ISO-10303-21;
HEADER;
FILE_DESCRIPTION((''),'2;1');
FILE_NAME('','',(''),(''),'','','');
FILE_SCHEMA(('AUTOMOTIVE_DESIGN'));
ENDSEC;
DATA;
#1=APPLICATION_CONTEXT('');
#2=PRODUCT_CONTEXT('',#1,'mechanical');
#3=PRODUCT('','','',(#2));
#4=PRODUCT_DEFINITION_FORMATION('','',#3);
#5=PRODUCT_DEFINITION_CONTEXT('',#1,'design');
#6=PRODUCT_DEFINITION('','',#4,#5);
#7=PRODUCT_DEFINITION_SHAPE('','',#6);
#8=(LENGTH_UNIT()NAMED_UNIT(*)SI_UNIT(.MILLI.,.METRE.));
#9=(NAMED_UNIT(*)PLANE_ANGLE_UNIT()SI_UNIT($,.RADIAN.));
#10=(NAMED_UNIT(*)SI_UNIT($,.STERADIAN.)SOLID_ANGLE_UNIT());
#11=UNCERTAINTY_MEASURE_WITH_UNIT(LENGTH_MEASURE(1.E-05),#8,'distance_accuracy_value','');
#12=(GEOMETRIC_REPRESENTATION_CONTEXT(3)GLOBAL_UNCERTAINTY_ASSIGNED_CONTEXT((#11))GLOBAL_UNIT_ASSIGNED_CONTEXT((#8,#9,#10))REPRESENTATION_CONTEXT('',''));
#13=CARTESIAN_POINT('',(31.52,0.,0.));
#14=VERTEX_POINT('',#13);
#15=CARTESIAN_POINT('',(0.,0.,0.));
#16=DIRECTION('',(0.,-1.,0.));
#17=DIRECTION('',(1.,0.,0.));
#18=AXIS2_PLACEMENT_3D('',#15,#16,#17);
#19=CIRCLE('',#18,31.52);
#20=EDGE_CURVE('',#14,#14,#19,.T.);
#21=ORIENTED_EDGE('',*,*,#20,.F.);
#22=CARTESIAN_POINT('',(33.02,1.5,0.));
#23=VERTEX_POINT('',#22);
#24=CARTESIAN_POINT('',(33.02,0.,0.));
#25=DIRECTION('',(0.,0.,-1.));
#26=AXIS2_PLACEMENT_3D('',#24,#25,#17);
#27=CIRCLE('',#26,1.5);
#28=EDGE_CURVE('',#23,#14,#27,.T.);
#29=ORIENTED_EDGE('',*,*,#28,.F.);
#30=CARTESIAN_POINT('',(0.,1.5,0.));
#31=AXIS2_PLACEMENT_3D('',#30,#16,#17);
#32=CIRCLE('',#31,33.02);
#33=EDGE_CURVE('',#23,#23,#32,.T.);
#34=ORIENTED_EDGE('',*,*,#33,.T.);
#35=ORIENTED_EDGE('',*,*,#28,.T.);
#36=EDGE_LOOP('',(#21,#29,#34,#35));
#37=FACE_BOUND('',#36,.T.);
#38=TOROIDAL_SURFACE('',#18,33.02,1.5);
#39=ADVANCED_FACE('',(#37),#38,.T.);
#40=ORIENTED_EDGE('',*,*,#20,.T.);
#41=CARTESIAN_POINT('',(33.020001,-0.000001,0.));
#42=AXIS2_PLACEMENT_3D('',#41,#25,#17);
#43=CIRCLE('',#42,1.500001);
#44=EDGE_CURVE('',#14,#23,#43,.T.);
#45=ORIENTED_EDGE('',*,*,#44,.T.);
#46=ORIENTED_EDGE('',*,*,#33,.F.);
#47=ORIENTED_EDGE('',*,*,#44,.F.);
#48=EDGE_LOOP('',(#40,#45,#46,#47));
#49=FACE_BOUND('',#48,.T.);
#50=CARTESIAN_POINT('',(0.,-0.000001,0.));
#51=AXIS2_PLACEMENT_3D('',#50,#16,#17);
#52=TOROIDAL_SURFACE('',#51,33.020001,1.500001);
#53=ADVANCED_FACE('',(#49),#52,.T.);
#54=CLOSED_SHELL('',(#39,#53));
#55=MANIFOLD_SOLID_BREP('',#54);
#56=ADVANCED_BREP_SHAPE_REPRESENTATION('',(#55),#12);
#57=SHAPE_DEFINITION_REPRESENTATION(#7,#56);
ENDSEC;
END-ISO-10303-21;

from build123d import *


with BuildPart() as f2:
    # F2: sweep along a path in F0
    with BuildLine(Plane.XZ) as f2_path:
        CenterArc((0, 0), 33.02, 0, 360)
    # F1 (on Right) → F2 (sweep)
    with BuildSketch(Plane.YZ):
        with BuildLine():
            ThreePointArc((0, 31.52), (1.06066, 31.95934), (1.5, 33.02))
            ThreePointArc((1.5, 33.02), (-1.06066, 34.08066), (0, 31.52))
        make_face()
    sweep(path=f2_path.line)


solid = f2.part
